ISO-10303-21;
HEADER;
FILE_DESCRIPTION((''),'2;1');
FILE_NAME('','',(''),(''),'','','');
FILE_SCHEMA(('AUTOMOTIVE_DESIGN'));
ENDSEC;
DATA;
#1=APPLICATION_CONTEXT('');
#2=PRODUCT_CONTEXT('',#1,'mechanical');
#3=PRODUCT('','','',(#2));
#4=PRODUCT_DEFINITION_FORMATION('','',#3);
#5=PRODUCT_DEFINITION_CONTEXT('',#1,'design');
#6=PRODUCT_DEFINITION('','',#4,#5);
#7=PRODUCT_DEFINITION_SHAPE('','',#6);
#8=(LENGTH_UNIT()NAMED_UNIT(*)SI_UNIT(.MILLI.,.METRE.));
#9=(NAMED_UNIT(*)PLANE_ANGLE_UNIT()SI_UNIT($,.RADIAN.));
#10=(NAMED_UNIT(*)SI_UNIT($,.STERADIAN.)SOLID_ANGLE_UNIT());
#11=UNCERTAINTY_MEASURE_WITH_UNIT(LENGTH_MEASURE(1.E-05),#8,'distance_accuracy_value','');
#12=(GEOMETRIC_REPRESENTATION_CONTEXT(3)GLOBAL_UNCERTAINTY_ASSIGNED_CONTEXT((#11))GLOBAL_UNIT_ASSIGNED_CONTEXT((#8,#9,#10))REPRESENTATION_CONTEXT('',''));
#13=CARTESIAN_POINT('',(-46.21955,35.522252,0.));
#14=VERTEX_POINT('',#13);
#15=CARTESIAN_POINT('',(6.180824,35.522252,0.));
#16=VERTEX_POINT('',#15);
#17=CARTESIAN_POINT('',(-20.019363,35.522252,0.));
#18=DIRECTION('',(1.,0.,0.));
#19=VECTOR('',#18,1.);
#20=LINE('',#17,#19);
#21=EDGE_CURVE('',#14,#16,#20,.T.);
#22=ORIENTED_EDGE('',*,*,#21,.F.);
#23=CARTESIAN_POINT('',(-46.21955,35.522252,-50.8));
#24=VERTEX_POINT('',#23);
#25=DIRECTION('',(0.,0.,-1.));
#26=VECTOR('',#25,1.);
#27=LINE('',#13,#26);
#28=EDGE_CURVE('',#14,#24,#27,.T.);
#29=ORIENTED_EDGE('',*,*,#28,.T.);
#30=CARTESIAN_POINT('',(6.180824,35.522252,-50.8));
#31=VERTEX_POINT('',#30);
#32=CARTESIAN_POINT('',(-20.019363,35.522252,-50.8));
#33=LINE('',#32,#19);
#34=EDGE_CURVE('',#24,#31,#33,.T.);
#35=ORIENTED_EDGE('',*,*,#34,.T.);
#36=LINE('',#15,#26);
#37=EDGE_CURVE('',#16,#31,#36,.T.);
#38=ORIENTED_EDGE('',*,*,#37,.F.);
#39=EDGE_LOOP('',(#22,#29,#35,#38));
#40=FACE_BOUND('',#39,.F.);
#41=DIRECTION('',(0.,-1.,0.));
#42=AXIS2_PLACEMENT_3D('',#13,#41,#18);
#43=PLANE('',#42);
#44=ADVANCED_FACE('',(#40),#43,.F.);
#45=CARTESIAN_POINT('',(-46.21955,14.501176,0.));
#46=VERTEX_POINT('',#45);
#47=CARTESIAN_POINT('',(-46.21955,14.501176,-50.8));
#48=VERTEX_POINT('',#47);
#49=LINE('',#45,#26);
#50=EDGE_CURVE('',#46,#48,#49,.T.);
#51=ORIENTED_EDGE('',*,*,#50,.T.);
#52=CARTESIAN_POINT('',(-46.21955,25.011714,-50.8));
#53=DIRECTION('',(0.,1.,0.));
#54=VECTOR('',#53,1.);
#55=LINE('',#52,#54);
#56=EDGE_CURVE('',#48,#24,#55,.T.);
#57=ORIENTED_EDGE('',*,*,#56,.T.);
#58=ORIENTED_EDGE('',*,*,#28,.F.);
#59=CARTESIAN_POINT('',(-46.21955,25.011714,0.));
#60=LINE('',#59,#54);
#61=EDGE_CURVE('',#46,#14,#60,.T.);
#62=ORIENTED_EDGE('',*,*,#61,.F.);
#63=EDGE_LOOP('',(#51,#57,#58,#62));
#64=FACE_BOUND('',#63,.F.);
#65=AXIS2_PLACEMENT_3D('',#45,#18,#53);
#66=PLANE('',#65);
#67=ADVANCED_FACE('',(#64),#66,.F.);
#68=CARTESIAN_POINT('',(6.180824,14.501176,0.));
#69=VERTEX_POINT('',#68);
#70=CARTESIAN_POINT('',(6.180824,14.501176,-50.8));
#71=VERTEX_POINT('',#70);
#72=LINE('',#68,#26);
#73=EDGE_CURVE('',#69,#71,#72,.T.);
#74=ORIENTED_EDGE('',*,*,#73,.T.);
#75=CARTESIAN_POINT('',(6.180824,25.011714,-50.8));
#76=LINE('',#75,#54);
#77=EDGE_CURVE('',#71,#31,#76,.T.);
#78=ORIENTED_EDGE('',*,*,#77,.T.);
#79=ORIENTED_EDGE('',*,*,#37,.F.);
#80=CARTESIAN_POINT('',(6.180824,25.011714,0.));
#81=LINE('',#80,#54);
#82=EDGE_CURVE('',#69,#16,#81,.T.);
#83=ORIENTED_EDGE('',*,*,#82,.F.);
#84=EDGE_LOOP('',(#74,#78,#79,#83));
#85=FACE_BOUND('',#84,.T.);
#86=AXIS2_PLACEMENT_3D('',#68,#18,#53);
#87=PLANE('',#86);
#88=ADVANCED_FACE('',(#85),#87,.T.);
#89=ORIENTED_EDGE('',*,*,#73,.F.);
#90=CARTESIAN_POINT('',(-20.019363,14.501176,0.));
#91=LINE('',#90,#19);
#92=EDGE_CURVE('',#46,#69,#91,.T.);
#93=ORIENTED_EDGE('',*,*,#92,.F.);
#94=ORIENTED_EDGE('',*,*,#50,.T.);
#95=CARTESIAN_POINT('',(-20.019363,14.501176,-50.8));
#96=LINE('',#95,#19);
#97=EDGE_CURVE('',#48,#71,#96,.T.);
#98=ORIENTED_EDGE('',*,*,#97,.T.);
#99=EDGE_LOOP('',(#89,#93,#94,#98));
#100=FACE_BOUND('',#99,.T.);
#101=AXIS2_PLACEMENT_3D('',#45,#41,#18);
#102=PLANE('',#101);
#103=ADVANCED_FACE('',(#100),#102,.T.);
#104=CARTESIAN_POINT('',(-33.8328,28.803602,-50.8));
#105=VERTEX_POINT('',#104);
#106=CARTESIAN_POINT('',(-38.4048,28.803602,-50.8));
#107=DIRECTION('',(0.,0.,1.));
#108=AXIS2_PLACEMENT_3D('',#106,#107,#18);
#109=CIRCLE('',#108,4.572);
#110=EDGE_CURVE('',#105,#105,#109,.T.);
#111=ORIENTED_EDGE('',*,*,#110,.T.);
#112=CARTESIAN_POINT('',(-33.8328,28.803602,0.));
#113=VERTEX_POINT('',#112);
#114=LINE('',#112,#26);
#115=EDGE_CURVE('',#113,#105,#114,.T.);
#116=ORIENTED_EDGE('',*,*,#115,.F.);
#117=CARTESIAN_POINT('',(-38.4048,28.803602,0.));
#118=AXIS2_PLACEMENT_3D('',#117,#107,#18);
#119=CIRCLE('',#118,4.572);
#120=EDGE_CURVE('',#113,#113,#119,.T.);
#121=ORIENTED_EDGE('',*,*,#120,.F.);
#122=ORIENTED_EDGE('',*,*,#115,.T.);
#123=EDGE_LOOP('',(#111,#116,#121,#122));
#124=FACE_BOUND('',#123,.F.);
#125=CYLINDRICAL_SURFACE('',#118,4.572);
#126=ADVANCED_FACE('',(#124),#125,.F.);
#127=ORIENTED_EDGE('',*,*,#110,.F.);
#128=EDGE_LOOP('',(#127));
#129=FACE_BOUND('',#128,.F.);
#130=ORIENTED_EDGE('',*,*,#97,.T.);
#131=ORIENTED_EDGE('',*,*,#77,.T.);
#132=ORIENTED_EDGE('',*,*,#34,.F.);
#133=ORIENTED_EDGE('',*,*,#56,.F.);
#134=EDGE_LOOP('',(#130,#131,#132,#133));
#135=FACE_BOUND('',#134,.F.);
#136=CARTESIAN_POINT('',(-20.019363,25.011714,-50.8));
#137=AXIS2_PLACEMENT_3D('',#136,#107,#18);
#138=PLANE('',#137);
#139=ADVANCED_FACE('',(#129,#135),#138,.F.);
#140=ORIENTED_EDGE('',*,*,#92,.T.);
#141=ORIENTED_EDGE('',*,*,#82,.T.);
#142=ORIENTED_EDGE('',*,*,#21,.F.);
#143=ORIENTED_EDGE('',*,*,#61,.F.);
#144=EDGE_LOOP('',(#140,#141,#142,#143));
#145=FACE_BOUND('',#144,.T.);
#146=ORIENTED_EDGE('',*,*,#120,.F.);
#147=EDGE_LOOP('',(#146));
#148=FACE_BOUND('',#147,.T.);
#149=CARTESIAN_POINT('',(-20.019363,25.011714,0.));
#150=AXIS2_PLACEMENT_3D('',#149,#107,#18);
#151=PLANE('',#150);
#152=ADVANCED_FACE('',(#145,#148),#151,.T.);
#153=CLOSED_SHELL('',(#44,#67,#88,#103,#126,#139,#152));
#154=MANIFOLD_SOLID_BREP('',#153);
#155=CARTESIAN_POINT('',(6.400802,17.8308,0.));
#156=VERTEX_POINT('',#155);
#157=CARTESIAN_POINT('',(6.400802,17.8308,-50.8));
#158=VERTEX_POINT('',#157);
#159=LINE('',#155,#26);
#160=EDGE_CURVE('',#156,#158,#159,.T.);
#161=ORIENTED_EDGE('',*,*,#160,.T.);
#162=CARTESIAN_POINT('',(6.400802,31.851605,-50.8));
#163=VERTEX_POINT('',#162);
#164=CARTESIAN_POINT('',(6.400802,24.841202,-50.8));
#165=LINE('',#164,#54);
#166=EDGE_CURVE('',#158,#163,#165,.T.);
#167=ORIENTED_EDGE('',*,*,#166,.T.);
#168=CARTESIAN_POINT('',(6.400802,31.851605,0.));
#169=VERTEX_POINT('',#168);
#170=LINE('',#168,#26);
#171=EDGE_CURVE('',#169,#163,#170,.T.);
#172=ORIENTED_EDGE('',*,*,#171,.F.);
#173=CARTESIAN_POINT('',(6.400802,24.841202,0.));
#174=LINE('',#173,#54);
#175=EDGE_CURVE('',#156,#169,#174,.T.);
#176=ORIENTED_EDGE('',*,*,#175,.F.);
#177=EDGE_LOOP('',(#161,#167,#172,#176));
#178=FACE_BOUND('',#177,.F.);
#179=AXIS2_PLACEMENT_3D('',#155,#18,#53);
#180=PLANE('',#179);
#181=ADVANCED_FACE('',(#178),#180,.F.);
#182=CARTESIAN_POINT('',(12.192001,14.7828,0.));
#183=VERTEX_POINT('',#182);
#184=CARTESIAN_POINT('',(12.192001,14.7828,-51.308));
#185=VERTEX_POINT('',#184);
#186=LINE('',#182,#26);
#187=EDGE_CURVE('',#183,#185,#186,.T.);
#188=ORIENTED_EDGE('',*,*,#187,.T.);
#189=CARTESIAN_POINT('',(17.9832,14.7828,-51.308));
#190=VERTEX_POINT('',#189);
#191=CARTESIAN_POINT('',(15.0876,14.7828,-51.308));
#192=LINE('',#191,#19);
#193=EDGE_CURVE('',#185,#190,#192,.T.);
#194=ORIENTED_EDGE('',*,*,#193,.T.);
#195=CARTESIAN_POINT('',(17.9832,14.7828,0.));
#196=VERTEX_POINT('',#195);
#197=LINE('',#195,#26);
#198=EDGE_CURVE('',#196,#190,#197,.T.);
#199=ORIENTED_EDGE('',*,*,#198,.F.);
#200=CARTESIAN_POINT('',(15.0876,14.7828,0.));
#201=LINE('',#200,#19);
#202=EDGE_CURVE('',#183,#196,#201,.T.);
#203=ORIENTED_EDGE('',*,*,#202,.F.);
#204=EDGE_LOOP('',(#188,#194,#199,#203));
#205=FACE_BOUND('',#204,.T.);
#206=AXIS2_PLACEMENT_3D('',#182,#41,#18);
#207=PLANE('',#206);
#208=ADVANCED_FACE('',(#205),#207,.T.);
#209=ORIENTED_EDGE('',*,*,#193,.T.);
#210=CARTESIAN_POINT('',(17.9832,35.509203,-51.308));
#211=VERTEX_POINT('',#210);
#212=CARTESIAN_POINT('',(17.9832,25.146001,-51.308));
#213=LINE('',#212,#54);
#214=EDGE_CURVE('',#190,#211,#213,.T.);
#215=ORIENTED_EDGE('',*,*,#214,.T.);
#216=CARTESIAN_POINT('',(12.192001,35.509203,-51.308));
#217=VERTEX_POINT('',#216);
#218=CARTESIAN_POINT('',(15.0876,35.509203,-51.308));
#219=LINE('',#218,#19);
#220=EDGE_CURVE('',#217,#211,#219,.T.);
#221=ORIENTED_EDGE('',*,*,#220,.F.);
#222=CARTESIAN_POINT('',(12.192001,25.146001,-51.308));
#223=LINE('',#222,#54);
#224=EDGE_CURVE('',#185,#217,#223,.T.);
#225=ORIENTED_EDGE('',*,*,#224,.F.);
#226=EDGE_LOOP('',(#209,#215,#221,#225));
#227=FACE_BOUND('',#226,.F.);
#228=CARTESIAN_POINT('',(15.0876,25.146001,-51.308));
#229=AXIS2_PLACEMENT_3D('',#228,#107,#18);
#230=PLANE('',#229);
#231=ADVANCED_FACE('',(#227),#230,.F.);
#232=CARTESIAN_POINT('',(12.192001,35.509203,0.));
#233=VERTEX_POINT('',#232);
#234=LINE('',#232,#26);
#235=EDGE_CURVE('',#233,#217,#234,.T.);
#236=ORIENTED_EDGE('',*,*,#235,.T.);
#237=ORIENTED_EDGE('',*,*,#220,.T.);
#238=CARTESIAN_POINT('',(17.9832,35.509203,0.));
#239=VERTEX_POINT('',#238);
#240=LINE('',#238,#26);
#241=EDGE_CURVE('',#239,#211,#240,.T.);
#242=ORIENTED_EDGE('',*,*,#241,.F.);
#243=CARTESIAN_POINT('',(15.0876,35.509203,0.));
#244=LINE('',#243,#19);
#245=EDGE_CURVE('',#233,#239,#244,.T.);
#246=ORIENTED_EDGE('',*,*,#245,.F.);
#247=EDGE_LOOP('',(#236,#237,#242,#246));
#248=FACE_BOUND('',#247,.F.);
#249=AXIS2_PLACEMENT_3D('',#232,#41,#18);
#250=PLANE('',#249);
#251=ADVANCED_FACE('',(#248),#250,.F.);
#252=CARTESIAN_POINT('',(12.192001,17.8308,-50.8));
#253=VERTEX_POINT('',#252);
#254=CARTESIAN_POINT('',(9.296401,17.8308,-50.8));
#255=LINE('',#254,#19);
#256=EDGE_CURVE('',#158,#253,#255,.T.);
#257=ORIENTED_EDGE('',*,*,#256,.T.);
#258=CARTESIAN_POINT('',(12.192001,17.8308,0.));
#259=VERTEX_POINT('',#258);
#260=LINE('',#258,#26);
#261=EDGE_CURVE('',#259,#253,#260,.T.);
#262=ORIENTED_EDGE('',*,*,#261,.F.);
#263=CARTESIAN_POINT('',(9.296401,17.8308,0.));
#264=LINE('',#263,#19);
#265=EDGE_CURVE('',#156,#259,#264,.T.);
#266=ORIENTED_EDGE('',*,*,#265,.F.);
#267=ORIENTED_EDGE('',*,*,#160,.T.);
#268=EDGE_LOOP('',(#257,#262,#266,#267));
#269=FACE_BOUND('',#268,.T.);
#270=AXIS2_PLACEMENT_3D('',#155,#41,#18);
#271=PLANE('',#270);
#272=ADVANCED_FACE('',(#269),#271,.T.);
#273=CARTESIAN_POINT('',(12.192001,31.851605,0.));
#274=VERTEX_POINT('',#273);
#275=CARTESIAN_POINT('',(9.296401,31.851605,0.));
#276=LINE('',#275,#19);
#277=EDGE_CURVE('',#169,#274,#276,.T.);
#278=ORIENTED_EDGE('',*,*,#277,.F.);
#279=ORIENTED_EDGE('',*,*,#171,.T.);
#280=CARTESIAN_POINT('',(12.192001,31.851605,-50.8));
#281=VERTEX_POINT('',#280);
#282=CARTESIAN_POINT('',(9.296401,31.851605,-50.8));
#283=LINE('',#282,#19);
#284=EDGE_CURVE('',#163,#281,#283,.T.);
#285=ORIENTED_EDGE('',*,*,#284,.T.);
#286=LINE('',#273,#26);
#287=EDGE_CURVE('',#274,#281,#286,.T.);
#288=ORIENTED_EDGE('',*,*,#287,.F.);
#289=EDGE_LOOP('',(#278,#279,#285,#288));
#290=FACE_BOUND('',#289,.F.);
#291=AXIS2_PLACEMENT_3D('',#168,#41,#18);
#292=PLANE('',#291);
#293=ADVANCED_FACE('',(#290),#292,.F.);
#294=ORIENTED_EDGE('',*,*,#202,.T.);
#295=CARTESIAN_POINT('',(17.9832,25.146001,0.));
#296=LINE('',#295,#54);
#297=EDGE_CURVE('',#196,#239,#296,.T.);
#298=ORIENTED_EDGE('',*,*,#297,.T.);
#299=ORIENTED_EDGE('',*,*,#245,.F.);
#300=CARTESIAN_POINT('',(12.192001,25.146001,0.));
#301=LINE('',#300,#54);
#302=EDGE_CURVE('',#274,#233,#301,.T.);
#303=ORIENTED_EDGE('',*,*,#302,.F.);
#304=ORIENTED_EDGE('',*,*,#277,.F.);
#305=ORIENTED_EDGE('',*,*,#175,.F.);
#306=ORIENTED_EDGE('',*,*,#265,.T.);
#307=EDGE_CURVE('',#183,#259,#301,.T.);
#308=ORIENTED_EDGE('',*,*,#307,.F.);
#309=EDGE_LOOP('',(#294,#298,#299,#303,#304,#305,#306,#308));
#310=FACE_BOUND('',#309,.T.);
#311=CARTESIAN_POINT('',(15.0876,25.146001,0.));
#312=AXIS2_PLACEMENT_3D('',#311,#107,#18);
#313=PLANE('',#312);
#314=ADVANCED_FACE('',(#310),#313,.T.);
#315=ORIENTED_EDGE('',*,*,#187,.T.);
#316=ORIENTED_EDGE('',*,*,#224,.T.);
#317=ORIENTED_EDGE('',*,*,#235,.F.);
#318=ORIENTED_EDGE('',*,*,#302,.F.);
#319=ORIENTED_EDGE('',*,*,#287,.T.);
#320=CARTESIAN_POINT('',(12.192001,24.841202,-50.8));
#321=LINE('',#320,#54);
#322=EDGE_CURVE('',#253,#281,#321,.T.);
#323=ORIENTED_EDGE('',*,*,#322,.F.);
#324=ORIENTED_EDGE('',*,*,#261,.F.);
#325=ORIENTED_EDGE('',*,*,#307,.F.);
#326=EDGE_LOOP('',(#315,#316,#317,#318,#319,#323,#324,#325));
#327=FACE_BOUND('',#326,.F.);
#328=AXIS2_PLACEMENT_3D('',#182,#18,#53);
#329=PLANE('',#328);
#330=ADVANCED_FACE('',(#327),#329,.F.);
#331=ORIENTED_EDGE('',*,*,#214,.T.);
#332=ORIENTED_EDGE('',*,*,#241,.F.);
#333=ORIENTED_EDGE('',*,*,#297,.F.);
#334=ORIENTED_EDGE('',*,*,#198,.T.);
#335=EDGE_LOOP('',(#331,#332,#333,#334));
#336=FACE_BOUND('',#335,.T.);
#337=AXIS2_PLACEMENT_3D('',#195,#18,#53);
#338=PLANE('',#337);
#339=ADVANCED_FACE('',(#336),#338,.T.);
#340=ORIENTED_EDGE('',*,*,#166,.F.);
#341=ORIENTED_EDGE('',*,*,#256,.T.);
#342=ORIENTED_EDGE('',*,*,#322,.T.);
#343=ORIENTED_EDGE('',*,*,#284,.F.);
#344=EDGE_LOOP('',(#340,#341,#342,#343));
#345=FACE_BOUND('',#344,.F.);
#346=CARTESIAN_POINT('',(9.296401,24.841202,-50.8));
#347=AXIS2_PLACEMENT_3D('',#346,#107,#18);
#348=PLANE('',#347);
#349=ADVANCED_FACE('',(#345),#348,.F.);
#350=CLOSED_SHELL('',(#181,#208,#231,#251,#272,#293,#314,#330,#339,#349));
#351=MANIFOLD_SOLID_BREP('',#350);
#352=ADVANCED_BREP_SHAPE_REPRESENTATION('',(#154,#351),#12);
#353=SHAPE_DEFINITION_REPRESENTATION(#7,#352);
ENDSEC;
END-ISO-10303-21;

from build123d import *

# Parameters (mm, degrees)
F0_W      = 29.1494224221
F0_H      = 37.5785604119
F1_DEPTH  = 25.4
F3_W      = 52.4003743194
F3_H      = 21.0210764781
F4_DEPTH  = 50.8
F5_R      = 4.5719996095
F6_DEPTH  = 75.438
F7_W      = 5.7911989279
F7_H      = 14.0208043158
F9_DEPTH  = 50.8
F8_W      = 5.7911993936
F8_H      = 20.7264022902
F10_DEPTH = 51.308


with BuildPart() as f1:
    # F0 (on Top) → F1 (new body)
    with BuildSketch(Plane.XY):
        with Locations((-28.6207711324, -18.789280206)):
            Rectangle(F0_W, F0_H)
    extrude(amount=F1_DEPTH)


with BuildPart() as f4:
    # F3 (on Top) → F4 (new body)
    with BuildSketch(Plane.XY):
        with Locations((-20.0193629134, 25.0117140822)):
            Rectangle(F3_W, F3_H)
    extrude(amount=-F4_DEPTH)

    # F5 (on face) → F6 (cut)
    with BuildSketch(Plane.XY):
        with Locations((-38.4047999978, 28.803601861)):
            Circle(F5_R)
    extrude(amount=-F6_DEPTH, mode=Mode.SUBTRACT)


with BuildPart() as f9:
    # F7 (on Top) → F9 (new body, through all)
    with BuildSketch(Plane.XY):
        with Locations((9.296401171, 24.841202423)):
            Rectangle(F7_W, F7_H)
    extrude(amount=-F9_DEPTH)

    # F8 (on Top) → F10 (join)
    with BuildSketch(Plane.XY):
        with Locations((15.0876003318, 25.1460014842)):
            Rectangle(F8_W, F8_H)
    extrude(amount=-F10_DEPTH)


solid = Compound([f4.part, f9.part])
